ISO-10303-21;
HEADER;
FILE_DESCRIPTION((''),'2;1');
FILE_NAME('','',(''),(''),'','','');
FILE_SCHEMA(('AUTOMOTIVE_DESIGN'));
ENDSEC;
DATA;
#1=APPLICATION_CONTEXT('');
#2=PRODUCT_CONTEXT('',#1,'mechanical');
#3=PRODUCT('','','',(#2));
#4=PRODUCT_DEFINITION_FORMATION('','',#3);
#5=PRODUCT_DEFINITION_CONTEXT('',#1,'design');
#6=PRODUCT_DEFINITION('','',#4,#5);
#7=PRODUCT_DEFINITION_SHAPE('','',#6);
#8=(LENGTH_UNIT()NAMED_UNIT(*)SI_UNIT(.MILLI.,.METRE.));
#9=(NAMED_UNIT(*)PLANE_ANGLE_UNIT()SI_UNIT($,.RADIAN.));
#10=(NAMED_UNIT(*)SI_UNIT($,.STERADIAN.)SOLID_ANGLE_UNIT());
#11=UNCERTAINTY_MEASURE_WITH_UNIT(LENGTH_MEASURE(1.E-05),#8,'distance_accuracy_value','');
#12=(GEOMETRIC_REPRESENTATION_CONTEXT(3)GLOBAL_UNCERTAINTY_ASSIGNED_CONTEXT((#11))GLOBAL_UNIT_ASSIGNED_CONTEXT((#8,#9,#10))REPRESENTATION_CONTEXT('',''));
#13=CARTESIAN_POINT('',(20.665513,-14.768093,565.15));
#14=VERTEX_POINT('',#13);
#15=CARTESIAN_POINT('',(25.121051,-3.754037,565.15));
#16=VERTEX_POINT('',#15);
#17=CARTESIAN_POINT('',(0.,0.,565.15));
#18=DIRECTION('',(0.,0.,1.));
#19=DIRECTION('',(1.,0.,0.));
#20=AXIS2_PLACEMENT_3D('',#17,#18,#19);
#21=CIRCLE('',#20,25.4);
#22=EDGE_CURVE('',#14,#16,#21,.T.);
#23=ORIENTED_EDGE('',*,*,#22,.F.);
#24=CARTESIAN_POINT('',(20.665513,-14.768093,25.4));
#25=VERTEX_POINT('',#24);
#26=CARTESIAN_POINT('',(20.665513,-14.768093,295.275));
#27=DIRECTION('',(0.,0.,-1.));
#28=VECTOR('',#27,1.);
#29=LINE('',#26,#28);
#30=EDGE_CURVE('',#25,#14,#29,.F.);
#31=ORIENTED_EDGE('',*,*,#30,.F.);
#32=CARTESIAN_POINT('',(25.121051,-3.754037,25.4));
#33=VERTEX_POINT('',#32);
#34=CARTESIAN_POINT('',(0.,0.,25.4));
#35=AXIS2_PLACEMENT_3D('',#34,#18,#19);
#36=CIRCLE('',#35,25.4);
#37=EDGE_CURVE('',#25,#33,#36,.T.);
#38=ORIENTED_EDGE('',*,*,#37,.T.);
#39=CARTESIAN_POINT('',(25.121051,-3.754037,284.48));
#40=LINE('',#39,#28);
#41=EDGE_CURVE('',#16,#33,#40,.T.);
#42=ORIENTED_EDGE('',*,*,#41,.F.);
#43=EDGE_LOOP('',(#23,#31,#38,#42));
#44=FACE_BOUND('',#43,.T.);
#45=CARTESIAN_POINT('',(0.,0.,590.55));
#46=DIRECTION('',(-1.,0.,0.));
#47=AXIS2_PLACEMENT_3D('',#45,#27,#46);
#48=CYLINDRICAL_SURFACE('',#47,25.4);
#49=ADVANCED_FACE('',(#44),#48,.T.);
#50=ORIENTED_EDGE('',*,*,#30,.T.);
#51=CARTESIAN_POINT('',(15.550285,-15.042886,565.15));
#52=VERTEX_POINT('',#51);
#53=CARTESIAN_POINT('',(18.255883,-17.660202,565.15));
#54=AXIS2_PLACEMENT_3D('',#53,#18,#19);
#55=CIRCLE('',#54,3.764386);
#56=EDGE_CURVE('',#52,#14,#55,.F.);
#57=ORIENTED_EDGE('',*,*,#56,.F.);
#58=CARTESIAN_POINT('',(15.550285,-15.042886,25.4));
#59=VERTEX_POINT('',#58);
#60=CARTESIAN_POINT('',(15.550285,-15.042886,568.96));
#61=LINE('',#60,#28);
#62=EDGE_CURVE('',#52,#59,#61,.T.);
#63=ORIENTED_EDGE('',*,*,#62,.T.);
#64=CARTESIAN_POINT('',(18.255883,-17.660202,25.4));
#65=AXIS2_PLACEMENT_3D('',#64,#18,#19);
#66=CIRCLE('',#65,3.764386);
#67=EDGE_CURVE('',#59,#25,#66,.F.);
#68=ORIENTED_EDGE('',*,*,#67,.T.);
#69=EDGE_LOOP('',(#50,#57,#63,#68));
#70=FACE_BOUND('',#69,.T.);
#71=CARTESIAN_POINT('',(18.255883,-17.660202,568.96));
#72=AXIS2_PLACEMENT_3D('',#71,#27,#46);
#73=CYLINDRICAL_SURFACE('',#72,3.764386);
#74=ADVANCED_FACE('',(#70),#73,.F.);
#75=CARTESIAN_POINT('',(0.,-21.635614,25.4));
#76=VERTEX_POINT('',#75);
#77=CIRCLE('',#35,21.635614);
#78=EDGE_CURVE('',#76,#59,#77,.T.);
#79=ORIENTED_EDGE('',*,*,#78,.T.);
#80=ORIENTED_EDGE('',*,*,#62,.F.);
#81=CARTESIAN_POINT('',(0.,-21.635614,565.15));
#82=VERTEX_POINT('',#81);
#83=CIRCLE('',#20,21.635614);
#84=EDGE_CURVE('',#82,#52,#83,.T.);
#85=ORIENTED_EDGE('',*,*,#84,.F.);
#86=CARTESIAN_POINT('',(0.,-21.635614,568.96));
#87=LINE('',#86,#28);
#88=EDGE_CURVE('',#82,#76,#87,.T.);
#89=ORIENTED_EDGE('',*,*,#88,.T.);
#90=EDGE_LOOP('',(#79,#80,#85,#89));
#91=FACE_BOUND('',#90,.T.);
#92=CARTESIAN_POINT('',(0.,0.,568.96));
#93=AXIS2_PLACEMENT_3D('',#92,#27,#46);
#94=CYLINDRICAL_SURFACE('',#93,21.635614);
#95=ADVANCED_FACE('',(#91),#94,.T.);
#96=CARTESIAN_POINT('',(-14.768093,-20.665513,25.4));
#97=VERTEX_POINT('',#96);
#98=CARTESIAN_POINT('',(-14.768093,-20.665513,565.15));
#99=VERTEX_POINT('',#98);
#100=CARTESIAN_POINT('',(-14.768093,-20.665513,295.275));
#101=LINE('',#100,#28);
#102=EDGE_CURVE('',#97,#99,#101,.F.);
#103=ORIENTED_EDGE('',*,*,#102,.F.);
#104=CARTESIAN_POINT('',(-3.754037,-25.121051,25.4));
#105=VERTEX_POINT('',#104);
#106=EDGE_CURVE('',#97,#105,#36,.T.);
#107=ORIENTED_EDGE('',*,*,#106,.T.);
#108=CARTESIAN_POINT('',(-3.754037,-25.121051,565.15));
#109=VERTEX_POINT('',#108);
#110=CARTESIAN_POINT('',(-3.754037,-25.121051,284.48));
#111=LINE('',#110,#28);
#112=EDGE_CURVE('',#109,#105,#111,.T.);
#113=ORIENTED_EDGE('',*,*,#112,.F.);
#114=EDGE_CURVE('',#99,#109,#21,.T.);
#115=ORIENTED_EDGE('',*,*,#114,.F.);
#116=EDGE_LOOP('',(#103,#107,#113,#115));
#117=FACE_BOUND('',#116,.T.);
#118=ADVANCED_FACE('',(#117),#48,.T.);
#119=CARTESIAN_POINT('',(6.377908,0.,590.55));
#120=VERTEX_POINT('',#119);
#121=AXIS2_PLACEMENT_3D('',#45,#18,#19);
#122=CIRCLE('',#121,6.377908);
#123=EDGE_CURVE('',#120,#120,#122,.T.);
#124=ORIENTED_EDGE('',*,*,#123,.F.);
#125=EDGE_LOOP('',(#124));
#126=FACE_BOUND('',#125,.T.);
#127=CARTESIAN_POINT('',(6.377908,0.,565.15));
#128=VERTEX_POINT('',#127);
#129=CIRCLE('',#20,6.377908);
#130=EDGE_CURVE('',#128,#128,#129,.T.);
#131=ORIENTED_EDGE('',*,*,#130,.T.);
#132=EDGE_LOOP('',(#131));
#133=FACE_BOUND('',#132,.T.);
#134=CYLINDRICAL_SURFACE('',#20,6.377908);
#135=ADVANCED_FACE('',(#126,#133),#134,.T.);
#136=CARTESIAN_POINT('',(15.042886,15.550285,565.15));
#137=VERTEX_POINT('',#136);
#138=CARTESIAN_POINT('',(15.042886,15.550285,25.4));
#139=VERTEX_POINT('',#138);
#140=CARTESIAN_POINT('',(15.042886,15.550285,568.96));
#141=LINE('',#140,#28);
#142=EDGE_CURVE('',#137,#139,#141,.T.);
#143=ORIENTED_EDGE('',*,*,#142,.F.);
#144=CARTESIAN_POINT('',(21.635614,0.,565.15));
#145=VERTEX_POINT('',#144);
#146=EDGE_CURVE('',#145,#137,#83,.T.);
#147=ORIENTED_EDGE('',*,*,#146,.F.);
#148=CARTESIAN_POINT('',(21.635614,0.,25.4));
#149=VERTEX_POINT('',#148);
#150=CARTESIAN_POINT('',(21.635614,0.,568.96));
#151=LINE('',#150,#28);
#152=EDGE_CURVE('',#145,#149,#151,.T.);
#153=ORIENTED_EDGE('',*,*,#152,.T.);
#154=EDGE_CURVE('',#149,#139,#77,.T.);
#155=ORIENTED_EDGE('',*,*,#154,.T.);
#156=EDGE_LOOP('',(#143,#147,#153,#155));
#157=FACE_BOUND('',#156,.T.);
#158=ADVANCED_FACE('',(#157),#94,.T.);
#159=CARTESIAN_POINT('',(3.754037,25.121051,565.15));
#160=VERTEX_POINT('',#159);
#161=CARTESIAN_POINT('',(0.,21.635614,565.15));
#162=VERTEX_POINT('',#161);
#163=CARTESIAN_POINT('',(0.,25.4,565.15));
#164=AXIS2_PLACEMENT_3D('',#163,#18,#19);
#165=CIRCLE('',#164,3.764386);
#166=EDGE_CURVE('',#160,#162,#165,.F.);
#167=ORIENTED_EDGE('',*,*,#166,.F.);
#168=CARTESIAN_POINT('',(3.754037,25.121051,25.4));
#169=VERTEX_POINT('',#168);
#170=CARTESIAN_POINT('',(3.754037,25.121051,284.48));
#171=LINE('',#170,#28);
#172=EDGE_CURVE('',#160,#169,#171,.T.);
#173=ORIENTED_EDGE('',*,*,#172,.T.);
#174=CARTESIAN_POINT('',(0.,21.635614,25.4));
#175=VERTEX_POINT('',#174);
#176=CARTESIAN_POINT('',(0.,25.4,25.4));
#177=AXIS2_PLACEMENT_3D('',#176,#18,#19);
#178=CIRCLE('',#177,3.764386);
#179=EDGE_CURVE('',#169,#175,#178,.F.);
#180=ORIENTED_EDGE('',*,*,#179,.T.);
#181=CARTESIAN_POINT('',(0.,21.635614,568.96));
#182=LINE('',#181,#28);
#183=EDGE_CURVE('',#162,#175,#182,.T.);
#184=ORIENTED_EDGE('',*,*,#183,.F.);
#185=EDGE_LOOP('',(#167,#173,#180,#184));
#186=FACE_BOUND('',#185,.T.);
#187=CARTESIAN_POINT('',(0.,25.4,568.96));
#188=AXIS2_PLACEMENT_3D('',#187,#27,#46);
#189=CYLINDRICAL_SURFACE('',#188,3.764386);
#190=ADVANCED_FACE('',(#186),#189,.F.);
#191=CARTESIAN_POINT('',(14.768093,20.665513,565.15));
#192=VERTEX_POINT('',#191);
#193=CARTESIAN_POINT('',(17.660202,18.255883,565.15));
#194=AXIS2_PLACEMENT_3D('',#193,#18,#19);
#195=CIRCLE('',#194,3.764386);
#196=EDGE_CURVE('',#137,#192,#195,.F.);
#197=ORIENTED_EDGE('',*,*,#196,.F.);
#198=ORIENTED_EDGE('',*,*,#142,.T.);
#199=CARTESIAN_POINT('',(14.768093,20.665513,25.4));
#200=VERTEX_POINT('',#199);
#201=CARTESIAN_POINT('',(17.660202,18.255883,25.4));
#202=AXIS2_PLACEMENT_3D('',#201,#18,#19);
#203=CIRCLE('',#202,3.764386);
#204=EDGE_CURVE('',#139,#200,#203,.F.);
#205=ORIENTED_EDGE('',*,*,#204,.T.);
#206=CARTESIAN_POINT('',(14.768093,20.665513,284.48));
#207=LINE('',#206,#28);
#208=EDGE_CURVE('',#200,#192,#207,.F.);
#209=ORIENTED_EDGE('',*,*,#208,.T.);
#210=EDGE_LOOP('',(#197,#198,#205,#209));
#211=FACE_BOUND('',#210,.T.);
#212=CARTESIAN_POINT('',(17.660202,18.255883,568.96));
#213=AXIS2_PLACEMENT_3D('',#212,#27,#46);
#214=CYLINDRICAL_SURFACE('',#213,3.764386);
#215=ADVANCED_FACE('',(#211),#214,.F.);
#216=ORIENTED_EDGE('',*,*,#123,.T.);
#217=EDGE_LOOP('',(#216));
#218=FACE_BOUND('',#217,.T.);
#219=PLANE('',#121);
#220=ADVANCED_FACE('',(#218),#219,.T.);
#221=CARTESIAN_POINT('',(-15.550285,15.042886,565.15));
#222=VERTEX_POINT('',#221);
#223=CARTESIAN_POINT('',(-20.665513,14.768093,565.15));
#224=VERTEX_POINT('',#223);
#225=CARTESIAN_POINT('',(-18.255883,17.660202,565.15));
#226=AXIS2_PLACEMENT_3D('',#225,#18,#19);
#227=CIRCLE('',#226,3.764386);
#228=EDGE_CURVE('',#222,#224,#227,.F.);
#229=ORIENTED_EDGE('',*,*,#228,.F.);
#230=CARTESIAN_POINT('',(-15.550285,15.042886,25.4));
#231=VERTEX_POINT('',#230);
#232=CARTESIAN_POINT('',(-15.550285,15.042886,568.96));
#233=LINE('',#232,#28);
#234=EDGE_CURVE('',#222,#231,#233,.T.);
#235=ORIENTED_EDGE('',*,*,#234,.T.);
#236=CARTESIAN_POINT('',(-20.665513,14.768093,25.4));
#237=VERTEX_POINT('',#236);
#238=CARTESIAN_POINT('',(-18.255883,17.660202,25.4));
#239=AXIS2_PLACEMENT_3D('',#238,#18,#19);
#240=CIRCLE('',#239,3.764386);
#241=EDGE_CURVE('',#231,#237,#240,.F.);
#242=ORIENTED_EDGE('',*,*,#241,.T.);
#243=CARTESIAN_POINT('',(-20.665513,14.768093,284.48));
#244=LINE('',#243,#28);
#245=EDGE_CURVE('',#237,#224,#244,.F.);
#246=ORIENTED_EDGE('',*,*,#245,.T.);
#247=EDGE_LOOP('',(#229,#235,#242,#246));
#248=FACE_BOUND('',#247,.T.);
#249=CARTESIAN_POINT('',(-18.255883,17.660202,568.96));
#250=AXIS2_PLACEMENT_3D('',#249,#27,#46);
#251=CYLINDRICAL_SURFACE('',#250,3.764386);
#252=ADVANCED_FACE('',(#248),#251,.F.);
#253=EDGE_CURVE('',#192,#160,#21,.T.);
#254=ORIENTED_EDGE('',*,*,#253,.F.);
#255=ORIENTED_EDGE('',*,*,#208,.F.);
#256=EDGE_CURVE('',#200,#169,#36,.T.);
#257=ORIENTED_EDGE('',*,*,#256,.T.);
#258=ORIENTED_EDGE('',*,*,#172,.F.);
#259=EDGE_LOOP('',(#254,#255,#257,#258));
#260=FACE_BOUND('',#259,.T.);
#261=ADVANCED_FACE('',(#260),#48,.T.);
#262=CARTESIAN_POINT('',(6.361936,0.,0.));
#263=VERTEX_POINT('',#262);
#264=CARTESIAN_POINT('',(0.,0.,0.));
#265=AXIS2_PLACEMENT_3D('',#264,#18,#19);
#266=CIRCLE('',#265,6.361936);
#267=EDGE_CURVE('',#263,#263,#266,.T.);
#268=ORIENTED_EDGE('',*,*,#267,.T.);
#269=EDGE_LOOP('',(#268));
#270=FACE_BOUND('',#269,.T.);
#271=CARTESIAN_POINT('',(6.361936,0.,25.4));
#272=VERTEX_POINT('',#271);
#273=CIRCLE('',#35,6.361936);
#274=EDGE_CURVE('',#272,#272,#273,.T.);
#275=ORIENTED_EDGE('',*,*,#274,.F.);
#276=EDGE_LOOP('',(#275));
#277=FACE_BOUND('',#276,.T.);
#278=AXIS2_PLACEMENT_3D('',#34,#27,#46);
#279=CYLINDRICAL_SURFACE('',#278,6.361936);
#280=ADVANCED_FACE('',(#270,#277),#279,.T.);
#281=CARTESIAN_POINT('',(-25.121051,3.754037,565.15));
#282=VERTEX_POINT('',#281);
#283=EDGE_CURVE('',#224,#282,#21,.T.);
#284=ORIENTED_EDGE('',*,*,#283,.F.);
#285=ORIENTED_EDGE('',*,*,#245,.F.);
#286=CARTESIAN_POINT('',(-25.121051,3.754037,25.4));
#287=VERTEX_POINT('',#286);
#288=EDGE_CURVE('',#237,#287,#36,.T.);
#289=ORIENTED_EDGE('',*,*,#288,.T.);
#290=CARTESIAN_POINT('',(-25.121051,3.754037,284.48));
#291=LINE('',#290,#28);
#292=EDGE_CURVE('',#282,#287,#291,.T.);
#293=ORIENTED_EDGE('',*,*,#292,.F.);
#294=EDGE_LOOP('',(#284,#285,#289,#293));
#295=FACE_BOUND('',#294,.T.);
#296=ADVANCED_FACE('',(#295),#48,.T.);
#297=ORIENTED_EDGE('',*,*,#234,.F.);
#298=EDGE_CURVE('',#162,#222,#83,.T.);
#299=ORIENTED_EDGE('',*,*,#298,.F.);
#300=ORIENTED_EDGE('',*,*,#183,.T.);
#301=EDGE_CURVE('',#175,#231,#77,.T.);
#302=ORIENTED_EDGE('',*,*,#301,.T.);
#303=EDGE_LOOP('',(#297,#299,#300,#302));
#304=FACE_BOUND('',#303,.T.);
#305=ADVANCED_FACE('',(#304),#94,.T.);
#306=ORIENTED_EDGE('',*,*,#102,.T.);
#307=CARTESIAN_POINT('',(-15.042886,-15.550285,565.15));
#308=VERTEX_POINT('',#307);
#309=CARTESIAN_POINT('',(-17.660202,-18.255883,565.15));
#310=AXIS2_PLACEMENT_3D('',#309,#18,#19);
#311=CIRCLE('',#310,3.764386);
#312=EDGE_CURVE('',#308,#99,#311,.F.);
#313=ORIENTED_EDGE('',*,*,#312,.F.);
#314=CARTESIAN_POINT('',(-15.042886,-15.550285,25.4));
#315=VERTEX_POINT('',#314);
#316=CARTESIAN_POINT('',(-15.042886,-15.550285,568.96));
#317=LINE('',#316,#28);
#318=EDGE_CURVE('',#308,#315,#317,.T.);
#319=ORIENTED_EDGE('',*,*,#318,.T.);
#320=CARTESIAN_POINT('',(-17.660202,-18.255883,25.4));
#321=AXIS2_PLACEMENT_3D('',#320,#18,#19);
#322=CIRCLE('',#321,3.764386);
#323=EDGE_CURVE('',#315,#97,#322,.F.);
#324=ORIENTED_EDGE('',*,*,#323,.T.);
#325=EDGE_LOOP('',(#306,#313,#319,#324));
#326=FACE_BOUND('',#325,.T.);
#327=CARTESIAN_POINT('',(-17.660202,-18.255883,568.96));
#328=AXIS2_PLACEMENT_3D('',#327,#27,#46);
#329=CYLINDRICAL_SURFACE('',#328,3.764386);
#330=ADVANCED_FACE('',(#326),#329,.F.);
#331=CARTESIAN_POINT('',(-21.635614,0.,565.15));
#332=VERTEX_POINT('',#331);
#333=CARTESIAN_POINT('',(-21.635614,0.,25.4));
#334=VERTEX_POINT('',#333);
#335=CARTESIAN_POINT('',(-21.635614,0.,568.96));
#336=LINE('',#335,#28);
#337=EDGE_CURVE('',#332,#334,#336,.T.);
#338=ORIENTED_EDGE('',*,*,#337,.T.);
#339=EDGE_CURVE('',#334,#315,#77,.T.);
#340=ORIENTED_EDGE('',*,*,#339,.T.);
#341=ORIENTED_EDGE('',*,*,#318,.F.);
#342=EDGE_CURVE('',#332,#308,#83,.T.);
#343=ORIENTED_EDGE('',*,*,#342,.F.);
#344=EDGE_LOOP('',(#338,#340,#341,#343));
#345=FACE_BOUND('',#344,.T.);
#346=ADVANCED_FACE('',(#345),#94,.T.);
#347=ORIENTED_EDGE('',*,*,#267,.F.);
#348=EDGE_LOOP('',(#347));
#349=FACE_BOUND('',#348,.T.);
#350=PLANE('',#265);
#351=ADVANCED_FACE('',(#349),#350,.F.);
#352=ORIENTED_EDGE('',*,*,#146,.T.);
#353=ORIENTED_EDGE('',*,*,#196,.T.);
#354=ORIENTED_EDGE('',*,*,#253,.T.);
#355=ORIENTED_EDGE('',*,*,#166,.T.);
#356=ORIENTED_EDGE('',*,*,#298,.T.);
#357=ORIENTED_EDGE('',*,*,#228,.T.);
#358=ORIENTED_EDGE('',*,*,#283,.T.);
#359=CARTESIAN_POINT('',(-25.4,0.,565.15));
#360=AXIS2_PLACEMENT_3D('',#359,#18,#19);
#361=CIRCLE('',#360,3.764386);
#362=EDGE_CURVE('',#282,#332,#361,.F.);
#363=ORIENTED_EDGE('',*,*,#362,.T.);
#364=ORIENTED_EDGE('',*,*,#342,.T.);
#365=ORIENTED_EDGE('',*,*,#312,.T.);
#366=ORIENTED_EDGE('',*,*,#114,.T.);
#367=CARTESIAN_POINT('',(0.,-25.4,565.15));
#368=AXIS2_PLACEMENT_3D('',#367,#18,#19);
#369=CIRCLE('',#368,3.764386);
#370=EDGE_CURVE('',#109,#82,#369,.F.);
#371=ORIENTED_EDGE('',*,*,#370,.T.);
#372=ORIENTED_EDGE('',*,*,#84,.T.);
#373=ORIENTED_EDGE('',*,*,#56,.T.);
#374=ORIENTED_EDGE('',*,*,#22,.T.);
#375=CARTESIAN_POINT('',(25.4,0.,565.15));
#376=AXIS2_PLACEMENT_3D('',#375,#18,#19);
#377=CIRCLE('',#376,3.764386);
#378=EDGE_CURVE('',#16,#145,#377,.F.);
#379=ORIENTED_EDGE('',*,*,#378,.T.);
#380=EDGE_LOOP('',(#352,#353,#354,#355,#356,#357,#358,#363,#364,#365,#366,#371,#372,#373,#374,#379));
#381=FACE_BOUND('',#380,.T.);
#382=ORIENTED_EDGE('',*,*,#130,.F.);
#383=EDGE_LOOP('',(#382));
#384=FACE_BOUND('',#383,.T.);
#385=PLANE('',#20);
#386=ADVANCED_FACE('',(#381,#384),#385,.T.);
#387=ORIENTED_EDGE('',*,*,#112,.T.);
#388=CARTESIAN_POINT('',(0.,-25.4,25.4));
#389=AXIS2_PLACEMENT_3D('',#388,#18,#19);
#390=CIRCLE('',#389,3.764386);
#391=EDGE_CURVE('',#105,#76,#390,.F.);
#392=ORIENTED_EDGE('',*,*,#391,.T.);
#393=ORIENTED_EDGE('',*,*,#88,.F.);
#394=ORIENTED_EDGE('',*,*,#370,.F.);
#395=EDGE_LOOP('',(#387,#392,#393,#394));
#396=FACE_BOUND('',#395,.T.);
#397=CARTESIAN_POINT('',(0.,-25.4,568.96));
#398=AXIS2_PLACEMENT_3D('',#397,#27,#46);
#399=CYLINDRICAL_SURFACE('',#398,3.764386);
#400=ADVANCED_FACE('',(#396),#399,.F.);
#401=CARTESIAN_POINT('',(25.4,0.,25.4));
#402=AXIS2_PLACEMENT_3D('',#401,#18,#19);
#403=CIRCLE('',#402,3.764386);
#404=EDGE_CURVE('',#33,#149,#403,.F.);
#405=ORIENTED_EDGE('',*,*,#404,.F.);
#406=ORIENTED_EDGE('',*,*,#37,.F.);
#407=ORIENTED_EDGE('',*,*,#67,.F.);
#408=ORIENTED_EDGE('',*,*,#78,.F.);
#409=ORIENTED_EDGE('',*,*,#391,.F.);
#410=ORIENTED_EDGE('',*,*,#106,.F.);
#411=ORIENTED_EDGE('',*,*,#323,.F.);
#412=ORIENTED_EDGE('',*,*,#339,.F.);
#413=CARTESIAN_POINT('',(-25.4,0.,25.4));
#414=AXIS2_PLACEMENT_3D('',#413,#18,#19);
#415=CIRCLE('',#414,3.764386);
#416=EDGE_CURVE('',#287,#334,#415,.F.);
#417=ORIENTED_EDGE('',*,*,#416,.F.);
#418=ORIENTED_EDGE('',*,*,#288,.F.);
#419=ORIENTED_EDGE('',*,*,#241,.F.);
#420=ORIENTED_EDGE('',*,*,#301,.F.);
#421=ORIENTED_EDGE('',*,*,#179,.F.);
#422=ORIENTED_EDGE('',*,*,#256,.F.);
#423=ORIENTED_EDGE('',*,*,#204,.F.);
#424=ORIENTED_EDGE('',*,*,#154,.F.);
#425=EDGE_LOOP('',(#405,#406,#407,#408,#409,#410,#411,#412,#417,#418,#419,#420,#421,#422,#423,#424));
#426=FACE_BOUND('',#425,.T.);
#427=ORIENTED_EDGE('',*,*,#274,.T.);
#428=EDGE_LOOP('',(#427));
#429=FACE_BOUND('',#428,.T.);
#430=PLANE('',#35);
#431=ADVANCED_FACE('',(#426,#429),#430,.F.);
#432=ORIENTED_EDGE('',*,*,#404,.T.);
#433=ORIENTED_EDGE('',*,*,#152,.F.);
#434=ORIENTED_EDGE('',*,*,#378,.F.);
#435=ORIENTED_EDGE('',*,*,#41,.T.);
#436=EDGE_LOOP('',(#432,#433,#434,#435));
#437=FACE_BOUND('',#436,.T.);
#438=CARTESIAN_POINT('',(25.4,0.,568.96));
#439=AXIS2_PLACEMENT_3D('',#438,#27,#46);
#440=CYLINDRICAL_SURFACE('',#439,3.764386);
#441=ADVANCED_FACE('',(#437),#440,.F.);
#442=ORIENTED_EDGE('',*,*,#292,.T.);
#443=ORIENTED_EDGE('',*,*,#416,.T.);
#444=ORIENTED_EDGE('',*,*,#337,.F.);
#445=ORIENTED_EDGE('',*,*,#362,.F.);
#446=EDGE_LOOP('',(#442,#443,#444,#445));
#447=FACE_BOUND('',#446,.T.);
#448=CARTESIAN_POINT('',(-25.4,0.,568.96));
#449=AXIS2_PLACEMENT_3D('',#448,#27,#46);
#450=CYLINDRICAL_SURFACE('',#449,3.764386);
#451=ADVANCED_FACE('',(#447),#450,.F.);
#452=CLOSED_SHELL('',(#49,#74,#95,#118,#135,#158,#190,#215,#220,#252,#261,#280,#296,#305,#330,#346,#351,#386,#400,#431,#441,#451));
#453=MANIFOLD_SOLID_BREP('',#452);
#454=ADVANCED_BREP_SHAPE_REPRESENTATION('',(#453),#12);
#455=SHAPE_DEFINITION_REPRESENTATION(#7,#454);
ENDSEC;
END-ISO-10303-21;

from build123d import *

# Parameters (mm, degrees)
SKETCH1_R           = 25.4
BOSS_EXTRUDE1_DEPTH = 590.55
SKETCH2_OUTSIDE_W   = 171.78
SKETCH2_OUTSIDE_H   = 171.78
SKETCH2_OUTSIDE_R   = 6.361935525
CUT_EXTRUDE1_DEPTH  = 25.4
SKETCH5_OUTSIDE_W   = 171.78
SKETCH5_OUTSIDE_H   = 171.78
SKETCH5_OUTSIDE_R   = 6.377907631
CUT_EXTRUDE4_DEPTH  = 25.4
CUT_EXTRUDE5_DEPTH  = 568.96
CIRPATTERN1_COUNT   = 4


with BuildPart() as part:
    # Sketch1 → Boss-Extrude1 (new body)
    with BuildSketch(Plane.XY):
        Circle(SKETCH1_R)
    extrude(amount=BOSS_EXTRUDE1_DEPTH)

    # Sketch2 outside → Cut-Extrude1 (cut)
    with BuildSketch(Plane.XY):
        Rectangle(SKETCH2_OUTSIDE_W, SKETCH2_OUTSIDE_H)
        Circle(SKETCH2_OUTSIDE_R, mode=Mode.SUBTRACT)
    extrude(amount=CUT_EXTRUDE1_DEPTH, mode=Mode.SUBTRACT)

    # Sketch5 outside → Cut-Extrude4 (cut)
    with BuildSketch(Plane.XY.offset(590.55)):
        Rectangle(SKETCH5_OUTSIDE_W, SKETCH5_OUTSIDE_H)
        Circle(SKETCH5_OUTSIDE_R, mode=Mode.SUBTRACT)
    extrude(amount=-CUT_EXTRUDE4_DEPTH, mode=Mode.SUBTRACT)

    # Sketch6 → Cut-Extrude5 (cut)
    with BuildSketch(Plane.XY):
        with BuildLine():
            ThreePointArc((29.164386469, 0), (26.85091062, 11.383761989), (20.277517743, 20.961481635))
            ThreePointArc((20.277517743, 20.961481635), (14.954603392, 20.873199153), (15.042885874, 15.550284802))
            ThreePointArc((15.042885874, 15.550284802), (19.919360406, 8.445049073), (21.635613531, 0))
            ThreePointArc((21.635613531, 0), (25.4, -3.764386469), (29.164386469, 0))
        make_face()
    cut_extrude5 = extrude(amount=CUT_EXTRUDE5_DEPTH, mode=Mode.SUBTRACT)

    # CirPattern1: Cut-Extrude5 ×4 about axis
    cirpattern1_axis = Axis((0, 0, 0), (0, 0, 1))
    for i in range(1, CIRPATTERN1_COUNT):
        add(cut_extrude5.rotate(cirpattern1_axis, i * 360 / CIRPATTERN1_COUNT), mode=Mode.SUBTRACT)


solid = part.part
